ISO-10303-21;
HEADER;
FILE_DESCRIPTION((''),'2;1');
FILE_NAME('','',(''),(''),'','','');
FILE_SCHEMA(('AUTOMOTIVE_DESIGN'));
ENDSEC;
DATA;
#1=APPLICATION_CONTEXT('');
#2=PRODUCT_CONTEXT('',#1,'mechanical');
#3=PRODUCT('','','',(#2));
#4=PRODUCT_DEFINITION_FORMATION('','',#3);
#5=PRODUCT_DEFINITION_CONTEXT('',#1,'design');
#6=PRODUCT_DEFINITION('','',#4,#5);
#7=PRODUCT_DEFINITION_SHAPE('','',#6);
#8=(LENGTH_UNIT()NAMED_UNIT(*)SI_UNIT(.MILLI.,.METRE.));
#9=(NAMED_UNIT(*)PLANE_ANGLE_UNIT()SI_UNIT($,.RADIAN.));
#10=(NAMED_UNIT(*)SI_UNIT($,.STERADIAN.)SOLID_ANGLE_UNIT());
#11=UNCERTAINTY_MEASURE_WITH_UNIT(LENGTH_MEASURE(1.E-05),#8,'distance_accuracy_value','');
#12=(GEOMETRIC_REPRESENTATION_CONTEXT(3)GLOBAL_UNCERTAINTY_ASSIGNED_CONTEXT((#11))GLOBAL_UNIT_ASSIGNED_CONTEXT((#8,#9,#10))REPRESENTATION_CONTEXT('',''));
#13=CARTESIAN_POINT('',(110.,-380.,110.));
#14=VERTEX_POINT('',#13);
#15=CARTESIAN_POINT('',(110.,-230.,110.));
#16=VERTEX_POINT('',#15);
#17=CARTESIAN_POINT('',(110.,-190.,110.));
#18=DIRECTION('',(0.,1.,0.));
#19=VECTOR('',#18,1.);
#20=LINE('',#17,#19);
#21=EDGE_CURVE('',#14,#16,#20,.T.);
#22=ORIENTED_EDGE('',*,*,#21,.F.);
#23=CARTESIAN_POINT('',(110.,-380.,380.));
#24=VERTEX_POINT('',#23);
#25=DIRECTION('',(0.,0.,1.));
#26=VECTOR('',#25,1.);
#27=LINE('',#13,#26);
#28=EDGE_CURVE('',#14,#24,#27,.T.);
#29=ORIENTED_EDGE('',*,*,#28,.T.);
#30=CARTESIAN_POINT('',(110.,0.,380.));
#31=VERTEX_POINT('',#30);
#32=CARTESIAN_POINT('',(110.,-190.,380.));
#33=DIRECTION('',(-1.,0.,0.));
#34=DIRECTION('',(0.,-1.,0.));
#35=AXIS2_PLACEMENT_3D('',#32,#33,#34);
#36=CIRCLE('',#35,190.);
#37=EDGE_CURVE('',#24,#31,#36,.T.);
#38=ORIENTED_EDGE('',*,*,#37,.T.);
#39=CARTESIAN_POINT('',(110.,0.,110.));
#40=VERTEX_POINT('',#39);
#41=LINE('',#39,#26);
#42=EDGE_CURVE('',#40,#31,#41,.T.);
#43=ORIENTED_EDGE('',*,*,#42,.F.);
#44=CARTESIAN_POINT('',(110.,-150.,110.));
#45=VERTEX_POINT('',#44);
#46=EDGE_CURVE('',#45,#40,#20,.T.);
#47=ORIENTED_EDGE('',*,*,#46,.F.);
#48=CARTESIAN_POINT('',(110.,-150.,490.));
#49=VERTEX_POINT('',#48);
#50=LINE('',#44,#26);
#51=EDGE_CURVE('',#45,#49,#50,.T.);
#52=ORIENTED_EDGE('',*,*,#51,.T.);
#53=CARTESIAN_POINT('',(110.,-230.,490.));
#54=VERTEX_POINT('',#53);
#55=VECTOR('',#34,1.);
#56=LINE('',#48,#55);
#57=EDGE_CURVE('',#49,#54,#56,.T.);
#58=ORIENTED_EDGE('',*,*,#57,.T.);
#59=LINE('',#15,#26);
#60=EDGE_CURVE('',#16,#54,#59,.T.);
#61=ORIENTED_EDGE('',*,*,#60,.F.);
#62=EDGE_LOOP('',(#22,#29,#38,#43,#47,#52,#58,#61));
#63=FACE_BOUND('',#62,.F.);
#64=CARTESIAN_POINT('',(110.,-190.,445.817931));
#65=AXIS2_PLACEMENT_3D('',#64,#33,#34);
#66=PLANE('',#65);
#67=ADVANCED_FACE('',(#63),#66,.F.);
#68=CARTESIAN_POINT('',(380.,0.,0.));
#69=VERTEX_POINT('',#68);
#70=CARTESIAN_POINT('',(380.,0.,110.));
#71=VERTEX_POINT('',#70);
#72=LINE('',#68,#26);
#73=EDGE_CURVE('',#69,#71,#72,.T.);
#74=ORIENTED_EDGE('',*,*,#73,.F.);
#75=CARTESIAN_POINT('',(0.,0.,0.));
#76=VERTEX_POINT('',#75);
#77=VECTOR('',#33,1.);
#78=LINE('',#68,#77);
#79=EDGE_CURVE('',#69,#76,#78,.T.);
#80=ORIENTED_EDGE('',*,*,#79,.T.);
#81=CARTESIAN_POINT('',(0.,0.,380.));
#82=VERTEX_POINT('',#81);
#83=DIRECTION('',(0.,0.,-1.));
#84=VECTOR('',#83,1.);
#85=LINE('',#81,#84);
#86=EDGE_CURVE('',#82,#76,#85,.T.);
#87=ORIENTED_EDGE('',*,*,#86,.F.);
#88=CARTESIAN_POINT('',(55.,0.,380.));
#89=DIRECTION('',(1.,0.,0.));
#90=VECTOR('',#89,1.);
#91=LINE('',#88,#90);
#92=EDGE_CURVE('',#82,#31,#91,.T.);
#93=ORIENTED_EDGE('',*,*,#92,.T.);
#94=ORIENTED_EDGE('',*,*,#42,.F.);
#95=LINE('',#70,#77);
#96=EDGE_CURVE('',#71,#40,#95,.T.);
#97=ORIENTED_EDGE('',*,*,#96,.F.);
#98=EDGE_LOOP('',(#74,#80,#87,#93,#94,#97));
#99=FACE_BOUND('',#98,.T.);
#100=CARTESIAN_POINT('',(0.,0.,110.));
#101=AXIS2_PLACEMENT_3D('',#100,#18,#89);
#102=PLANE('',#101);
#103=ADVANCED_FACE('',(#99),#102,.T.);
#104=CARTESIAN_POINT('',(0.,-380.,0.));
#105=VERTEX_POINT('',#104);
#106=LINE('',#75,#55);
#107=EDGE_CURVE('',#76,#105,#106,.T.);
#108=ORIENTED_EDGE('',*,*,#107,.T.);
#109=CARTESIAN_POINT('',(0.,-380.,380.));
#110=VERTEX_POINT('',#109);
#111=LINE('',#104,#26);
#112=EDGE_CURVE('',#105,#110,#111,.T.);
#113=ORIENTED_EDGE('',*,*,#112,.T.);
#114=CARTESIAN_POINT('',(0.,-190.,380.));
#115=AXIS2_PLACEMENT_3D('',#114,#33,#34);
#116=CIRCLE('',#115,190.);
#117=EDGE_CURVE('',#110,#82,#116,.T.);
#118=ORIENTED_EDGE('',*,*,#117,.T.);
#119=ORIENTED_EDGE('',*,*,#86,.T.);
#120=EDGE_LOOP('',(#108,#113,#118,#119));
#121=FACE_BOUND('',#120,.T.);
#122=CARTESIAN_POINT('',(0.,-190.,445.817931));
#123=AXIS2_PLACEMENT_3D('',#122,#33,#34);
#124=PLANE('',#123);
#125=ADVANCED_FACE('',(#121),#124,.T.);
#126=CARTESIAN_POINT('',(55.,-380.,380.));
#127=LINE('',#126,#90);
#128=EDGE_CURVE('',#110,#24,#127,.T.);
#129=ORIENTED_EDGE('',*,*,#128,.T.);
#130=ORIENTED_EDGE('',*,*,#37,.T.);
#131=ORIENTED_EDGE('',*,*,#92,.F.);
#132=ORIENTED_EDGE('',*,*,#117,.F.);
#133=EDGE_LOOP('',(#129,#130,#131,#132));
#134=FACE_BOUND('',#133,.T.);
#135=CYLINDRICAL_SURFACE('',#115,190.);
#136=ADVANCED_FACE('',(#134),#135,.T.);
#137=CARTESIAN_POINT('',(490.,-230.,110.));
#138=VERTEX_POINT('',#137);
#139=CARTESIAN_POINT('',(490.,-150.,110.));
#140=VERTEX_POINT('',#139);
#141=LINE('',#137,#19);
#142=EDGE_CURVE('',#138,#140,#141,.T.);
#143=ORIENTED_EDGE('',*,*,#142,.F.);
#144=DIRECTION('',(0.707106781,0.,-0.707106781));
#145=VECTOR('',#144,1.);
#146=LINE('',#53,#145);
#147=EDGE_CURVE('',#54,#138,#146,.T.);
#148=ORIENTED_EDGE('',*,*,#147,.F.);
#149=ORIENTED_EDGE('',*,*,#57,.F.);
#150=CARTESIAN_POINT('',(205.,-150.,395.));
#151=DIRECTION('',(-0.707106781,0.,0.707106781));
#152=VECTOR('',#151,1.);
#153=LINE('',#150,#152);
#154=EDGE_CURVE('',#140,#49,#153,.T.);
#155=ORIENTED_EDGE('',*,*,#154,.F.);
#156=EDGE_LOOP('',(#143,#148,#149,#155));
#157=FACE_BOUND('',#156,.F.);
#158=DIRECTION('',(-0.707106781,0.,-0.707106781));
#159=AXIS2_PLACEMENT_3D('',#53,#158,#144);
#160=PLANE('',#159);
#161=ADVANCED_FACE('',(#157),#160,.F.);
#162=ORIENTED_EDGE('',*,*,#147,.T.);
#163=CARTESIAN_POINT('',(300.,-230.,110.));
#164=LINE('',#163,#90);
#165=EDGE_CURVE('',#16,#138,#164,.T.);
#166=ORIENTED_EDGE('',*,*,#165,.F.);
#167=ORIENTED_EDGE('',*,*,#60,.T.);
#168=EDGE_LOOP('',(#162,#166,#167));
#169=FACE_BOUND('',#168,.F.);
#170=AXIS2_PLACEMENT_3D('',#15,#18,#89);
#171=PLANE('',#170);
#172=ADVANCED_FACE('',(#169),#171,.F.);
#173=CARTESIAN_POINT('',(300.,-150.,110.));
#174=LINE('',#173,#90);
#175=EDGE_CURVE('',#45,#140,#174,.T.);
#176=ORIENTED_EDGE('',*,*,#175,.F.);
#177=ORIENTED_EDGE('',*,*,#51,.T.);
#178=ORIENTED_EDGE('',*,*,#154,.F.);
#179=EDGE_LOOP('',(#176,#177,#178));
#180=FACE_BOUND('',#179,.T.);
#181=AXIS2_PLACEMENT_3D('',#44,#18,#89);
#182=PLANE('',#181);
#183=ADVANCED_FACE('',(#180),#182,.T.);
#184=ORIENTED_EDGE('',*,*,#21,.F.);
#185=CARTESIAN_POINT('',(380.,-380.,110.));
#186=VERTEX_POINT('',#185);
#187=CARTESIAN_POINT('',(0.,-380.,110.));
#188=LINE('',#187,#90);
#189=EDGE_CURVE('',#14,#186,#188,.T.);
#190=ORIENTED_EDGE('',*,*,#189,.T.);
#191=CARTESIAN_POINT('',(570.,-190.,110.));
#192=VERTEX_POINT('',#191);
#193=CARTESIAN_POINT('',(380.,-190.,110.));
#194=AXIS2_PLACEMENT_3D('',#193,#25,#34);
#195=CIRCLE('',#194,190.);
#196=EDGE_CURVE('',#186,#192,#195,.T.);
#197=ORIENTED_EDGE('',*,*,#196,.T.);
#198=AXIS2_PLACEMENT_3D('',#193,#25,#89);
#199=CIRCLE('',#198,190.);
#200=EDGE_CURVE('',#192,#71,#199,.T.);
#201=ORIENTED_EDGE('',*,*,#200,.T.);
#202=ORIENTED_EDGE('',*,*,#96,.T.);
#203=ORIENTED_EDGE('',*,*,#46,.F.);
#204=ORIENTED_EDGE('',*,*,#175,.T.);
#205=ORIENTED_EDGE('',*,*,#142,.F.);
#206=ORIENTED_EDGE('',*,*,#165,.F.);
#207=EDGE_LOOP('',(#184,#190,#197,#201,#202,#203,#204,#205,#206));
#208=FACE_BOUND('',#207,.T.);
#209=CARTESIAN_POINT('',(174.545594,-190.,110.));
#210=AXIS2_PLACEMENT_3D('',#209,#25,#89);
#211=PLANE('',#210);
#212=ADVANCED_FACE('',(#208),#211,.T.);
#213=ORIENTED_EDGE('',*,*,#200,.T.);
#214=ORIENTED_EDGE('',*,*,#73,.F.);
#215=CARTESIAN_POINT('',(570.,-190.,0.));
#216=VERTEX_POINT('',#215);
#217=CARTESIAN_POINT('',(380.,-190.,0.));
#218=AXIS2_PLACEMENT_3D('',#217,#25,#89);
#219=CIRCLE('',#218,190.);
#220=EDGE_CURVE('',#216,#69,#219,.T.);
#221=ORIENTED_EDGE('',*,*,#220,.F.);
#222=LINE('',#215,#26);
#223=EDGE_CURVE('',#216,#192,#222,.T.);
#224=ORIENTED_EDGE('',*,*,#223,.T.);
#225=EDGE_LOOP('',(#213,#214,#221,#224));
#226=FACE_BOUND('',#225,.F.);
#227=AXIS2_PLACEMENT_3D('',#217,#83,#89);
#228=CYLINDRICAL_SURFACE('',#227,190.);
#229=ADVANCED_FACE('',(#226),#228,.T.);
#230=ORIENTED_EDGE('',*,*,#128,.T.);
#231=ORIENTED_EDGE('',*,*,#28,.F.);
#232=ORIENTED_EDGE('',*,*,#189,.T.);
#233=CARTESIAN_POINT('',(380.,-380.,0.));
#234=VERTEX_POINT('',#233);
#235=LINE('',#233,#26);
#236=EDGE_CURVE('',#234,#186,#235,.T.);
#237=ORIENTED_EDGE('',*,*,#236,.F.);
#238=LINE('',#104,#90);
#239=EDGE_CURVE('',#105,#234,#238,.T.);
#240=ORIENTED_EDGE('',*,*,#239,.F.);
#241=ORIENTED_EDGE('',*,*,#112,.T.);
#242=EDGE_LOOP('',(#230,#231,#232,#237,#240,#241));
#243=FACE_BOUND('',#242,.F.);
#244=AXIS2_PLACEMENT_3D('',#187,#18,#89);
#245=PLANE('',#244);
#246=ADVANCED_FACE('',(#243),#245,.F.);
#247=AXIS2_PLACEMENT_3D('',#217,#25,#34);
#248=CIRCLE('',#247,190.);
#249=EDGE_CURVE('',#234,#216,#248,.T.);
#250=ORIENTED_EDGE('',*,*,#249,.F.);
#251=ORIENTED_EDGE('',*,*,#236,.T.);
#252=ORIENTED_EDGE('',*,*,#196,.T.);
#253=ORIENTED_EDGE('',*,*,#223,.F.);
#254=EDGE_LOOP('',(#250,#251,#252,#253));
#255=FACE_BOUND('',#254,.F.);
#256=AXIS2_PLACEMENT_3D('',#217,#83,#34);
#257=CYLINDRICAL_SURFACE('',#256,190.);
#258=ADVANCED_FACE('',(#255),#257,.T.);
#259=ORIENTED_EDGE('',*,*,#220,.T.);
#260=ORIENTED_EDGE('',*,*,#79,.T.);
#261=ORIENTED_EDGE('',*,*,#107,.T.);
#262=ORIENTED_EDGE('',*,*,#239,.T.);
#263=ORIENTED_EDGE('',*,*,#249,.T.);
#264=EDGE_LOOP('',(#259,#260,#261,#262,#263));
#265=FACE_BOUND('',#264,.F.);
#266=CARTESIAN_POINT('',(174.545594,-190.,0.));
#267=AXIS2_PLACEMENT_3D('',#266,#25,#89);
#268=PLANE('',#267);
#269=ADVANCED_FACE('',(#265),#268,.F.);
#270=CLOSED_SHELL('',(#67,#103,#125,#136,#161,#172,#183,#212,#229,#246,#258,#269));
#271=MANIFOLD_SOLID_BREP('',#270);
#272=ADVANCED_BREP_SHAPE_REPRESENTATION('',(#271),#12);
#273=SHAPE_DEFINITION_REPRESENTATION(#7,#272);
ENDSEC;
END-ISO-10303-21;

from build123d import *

# Parameters (mm, degrees)
F1_DEPTH = 110
F2_W     = 110
F2_H     = 380
F3_DEPTH = 270
F5_DEPTH = 110
F6_W     = 380
F6_H     = 40
F7_DEPTH = 380
F9_DEPTH = 230.001


with BuildPart() as f1:
    # F0 (on Top) → F1 (new body)
    with BuildSketch(Plane.XY):
        with BuildLine():
            Line((380, 0), (0, 0))
            Line((0, 0), (0, -380))
            Line((0, -380), (110, -380))
            Line((110, -380), (380, -380))
            ThreePointArc((380, -380), (190, -190), (380, 0))
        make_face()
        with BuildLine():
            Line((380, -380), (380, 0))
            ThreePointArc((380, 0), (190, -190), (380, -380))
        make_face()
        with BuildLine():
            ThreePointArc((570, -190), (514.3502884254, -55.6497115746), (380, 0))
            Line((380, 0), (380, -380))
            ThreePointArc((380, -380), (514.3502884254, -324.3502884254), (570, -190))
        make_face()
    extrude(amount=F1_DEPTH)

    # F2 (on face) → F3 (join)
    with BuildSketch(Plane.XY.offset(110)):
        with Locations((55, -190)):
            Rectangle(F2_W, F2_H)
    extrude(amount=F3_DEPTH)

    # F4 (on face) → F5 (join)
    with BuildSketch(Plane(origin=(0, 0, 0), x_dir=(0, -1, 0), z_dir=(-1, 0, 0))):
        with BuildLine():
            Line((0, 380), (380, 380))
            ThreePointArc((380, 380), (190, 570), (0, 380))
        make_face()
    extrude(amount=-F5_DEPTH)

    # F6 (on face) → F7 (join)
    with BuildSketch(Plane.XY.offset(110)):
        with Locations((300, -210)):
            Rectangle(F6_W, F6_H)
        with Locations((300, -170)):
            Rectangle(F6_W, F6_H)
    extrude(amount=F7_DEPTH)

    # F8 (on face) → F9 (cut, through all)
    with BuildSketch(Plane.XZ.offset(230)):
        Polygon((490, 490), (110, 490), (490, 110), align=None)
    extrude(amount=-F9_DEPTH, mode=Mode.SUBTRACT)


solid = f1.part
